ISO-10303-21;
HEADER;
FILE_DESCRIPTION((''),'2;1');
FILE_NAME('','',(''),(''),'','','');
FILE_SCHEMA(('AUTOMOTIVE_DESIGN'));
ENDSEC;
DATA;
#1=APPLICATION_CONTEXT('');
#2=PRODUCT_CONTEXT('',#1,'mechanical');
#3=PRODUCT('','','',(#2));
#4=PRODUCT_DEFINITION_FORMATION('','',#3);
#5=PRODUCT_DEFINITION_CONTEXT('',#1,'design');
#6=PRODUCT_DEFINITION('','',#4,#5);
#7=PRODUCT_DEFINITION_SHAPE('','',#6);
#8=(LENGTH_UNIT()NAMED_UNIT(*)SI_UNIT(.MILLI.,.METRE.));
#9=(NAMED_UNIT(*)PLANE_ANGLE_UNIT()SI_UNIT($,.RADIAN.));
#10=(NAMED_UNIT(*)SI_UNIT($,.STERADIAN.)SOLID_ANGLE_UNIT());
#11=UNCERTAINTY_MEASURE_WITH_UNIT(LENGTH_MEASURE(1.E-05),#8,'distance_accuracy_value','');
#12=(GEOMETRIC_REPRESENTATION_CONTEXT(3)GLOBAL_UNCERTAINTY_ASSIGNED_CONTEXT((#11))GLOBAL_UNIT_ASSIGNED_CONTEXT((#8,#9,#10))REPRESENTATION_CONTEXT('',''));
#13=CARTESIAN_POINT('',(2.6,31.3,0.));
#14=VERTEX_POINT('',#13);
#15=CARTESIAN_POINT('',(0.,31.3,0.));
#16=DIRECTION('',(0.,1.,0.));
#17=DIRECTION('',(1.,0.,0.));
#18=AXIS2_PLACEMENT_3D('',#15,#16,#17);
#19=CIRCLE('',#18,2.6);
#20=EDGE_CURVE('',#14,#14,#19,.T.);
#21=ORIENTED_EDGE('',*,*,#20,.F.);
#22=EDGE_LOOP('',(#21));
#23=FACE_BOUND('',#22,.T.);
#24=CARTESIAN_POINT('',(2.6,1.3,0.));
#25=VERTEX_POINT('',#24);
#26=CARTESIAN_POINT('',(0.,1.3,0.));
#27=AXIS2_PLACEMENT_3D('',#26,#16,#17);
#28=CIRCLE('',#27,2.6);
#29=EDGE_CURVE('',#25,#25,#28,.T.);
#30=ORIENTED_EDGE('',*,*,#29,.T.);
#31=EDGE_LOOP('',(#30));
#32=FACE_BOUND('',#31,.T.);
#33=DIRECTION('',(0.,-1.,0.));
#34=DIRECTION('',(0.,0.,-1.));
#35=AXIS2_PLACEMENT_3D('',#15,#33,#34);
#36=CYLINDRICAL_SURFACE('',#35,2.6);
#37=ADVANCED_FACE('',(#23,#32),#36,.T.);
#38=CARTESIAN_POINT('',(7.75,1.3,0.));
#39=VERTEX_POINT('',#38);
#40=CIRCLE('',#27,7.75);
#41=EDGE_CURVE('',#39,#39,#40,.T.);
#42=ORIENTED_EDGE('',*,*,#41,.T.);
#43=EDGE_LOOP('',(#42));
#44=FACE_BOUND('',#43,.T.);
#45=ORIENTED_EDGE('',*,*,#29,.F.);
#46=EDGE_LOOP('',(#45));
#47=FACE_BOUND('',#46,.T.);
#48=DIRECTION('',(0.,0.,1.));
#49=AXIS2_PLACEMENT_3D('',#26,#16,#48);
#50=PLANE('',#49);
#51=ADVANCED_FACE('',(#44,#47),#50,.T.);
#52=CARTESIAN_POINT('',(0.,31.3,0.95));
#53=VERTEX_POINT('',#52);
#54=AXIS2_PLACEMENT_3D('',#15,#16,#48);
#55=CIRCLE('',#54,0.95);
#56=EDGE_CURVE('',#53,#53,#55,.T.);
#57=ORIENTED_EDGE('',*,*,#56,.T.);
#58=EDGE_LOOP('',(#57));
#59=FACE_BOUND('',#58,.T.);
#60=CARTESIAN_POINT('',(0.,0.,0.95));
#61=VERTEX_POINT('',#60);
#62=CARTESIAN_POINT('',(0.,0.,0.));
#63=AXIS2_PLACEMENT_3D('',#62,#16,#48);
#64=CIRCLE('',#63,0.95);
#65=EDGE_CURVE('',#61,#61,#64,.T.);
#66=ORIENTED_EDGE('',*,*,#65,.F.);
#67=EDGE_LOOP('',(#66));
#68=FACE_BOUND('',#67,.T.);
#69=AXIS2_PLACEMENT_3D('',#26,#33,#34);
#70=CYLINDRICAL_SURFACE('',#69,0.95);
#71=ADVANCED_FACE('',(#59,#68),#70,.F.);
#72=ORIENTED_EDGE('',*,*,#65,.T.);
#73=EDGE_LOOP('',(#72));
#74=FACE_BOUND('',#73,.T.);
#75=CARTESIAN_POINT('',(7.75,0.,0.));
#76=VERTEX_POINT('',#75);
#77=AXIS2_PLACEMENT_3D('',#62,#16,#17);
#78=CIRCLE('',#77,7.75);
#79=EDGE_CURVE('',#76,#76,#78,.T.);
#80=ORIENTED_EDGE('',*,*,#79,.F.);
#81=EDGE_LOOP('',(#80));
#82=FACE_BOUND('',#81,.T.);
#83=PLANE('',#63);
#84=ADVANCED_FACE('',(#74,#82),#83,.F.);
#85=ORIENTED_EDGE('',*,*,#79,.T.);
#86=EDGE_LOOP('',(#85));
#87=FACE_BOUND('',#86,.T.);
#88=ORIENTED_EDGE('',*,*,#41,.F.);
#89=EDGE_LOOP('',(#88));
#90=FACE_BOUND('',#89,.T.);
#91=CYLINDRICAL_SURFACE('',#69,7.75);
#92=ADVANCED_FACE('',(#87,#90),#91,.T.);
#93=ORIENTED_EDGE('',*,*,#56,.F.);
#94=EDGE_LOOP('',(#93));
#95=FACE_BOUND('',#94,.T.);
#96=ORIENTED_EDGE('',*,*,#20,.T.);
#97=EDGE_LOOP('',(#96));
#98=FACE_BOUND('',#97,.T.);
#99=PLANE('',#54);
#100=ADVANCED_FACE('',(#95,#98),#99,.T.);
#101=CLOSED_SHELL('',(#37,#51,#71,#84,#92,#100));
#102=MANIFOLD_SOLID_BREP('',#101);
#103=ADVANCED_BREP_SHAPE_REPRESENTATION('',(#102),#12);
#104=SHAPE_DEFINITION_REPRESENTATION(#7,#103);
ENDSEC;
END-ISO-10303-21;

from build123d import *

# Parameters (mm, degrees)
SCHIZZO1_R                = 7.75
SCHIZZO1_R_2              = 0.95
ESTRUSIONE_SOTTILE2_DEPTH = 1.3
SCHIZZO3_R                = 2.6
SCHIZZO3_R_2              = 0.95
ESTRUSIONE_SOTTILE3_DEPTH = 30


with BuildPart() as part:
    # Schizzo1 → Estrusione-Sottile2 (new body)
    with BuildSketch(Plane(origin=(0, 0, 0), x_dir=(1, 0, 0), z_dir=(0, 1, 0))):
        Circle(SCHIZZO1_R)
        Circle(SCHIZZO1_R_2, mode=Mode.SUBTRACT)
    extrude(amount=ESTRUSIONE_SOTTILE2_DEPTH)

    # Schizzo3 → Estrusione-Sottile3 (add)
    with BuildSketch(Plane(origin=(0, 1.3, 0), x_dir=(1, 0, 0), z_dir=(0, 1, 0))):
        Circle(SCHIZZO3_R)
        Circle(SCHIZZO3_R_2, mode=Mode.SUBTRACT)
    extrude(amount=ESTRUSIONE_SOTTILE3_DEPTH)


solid = part.part
